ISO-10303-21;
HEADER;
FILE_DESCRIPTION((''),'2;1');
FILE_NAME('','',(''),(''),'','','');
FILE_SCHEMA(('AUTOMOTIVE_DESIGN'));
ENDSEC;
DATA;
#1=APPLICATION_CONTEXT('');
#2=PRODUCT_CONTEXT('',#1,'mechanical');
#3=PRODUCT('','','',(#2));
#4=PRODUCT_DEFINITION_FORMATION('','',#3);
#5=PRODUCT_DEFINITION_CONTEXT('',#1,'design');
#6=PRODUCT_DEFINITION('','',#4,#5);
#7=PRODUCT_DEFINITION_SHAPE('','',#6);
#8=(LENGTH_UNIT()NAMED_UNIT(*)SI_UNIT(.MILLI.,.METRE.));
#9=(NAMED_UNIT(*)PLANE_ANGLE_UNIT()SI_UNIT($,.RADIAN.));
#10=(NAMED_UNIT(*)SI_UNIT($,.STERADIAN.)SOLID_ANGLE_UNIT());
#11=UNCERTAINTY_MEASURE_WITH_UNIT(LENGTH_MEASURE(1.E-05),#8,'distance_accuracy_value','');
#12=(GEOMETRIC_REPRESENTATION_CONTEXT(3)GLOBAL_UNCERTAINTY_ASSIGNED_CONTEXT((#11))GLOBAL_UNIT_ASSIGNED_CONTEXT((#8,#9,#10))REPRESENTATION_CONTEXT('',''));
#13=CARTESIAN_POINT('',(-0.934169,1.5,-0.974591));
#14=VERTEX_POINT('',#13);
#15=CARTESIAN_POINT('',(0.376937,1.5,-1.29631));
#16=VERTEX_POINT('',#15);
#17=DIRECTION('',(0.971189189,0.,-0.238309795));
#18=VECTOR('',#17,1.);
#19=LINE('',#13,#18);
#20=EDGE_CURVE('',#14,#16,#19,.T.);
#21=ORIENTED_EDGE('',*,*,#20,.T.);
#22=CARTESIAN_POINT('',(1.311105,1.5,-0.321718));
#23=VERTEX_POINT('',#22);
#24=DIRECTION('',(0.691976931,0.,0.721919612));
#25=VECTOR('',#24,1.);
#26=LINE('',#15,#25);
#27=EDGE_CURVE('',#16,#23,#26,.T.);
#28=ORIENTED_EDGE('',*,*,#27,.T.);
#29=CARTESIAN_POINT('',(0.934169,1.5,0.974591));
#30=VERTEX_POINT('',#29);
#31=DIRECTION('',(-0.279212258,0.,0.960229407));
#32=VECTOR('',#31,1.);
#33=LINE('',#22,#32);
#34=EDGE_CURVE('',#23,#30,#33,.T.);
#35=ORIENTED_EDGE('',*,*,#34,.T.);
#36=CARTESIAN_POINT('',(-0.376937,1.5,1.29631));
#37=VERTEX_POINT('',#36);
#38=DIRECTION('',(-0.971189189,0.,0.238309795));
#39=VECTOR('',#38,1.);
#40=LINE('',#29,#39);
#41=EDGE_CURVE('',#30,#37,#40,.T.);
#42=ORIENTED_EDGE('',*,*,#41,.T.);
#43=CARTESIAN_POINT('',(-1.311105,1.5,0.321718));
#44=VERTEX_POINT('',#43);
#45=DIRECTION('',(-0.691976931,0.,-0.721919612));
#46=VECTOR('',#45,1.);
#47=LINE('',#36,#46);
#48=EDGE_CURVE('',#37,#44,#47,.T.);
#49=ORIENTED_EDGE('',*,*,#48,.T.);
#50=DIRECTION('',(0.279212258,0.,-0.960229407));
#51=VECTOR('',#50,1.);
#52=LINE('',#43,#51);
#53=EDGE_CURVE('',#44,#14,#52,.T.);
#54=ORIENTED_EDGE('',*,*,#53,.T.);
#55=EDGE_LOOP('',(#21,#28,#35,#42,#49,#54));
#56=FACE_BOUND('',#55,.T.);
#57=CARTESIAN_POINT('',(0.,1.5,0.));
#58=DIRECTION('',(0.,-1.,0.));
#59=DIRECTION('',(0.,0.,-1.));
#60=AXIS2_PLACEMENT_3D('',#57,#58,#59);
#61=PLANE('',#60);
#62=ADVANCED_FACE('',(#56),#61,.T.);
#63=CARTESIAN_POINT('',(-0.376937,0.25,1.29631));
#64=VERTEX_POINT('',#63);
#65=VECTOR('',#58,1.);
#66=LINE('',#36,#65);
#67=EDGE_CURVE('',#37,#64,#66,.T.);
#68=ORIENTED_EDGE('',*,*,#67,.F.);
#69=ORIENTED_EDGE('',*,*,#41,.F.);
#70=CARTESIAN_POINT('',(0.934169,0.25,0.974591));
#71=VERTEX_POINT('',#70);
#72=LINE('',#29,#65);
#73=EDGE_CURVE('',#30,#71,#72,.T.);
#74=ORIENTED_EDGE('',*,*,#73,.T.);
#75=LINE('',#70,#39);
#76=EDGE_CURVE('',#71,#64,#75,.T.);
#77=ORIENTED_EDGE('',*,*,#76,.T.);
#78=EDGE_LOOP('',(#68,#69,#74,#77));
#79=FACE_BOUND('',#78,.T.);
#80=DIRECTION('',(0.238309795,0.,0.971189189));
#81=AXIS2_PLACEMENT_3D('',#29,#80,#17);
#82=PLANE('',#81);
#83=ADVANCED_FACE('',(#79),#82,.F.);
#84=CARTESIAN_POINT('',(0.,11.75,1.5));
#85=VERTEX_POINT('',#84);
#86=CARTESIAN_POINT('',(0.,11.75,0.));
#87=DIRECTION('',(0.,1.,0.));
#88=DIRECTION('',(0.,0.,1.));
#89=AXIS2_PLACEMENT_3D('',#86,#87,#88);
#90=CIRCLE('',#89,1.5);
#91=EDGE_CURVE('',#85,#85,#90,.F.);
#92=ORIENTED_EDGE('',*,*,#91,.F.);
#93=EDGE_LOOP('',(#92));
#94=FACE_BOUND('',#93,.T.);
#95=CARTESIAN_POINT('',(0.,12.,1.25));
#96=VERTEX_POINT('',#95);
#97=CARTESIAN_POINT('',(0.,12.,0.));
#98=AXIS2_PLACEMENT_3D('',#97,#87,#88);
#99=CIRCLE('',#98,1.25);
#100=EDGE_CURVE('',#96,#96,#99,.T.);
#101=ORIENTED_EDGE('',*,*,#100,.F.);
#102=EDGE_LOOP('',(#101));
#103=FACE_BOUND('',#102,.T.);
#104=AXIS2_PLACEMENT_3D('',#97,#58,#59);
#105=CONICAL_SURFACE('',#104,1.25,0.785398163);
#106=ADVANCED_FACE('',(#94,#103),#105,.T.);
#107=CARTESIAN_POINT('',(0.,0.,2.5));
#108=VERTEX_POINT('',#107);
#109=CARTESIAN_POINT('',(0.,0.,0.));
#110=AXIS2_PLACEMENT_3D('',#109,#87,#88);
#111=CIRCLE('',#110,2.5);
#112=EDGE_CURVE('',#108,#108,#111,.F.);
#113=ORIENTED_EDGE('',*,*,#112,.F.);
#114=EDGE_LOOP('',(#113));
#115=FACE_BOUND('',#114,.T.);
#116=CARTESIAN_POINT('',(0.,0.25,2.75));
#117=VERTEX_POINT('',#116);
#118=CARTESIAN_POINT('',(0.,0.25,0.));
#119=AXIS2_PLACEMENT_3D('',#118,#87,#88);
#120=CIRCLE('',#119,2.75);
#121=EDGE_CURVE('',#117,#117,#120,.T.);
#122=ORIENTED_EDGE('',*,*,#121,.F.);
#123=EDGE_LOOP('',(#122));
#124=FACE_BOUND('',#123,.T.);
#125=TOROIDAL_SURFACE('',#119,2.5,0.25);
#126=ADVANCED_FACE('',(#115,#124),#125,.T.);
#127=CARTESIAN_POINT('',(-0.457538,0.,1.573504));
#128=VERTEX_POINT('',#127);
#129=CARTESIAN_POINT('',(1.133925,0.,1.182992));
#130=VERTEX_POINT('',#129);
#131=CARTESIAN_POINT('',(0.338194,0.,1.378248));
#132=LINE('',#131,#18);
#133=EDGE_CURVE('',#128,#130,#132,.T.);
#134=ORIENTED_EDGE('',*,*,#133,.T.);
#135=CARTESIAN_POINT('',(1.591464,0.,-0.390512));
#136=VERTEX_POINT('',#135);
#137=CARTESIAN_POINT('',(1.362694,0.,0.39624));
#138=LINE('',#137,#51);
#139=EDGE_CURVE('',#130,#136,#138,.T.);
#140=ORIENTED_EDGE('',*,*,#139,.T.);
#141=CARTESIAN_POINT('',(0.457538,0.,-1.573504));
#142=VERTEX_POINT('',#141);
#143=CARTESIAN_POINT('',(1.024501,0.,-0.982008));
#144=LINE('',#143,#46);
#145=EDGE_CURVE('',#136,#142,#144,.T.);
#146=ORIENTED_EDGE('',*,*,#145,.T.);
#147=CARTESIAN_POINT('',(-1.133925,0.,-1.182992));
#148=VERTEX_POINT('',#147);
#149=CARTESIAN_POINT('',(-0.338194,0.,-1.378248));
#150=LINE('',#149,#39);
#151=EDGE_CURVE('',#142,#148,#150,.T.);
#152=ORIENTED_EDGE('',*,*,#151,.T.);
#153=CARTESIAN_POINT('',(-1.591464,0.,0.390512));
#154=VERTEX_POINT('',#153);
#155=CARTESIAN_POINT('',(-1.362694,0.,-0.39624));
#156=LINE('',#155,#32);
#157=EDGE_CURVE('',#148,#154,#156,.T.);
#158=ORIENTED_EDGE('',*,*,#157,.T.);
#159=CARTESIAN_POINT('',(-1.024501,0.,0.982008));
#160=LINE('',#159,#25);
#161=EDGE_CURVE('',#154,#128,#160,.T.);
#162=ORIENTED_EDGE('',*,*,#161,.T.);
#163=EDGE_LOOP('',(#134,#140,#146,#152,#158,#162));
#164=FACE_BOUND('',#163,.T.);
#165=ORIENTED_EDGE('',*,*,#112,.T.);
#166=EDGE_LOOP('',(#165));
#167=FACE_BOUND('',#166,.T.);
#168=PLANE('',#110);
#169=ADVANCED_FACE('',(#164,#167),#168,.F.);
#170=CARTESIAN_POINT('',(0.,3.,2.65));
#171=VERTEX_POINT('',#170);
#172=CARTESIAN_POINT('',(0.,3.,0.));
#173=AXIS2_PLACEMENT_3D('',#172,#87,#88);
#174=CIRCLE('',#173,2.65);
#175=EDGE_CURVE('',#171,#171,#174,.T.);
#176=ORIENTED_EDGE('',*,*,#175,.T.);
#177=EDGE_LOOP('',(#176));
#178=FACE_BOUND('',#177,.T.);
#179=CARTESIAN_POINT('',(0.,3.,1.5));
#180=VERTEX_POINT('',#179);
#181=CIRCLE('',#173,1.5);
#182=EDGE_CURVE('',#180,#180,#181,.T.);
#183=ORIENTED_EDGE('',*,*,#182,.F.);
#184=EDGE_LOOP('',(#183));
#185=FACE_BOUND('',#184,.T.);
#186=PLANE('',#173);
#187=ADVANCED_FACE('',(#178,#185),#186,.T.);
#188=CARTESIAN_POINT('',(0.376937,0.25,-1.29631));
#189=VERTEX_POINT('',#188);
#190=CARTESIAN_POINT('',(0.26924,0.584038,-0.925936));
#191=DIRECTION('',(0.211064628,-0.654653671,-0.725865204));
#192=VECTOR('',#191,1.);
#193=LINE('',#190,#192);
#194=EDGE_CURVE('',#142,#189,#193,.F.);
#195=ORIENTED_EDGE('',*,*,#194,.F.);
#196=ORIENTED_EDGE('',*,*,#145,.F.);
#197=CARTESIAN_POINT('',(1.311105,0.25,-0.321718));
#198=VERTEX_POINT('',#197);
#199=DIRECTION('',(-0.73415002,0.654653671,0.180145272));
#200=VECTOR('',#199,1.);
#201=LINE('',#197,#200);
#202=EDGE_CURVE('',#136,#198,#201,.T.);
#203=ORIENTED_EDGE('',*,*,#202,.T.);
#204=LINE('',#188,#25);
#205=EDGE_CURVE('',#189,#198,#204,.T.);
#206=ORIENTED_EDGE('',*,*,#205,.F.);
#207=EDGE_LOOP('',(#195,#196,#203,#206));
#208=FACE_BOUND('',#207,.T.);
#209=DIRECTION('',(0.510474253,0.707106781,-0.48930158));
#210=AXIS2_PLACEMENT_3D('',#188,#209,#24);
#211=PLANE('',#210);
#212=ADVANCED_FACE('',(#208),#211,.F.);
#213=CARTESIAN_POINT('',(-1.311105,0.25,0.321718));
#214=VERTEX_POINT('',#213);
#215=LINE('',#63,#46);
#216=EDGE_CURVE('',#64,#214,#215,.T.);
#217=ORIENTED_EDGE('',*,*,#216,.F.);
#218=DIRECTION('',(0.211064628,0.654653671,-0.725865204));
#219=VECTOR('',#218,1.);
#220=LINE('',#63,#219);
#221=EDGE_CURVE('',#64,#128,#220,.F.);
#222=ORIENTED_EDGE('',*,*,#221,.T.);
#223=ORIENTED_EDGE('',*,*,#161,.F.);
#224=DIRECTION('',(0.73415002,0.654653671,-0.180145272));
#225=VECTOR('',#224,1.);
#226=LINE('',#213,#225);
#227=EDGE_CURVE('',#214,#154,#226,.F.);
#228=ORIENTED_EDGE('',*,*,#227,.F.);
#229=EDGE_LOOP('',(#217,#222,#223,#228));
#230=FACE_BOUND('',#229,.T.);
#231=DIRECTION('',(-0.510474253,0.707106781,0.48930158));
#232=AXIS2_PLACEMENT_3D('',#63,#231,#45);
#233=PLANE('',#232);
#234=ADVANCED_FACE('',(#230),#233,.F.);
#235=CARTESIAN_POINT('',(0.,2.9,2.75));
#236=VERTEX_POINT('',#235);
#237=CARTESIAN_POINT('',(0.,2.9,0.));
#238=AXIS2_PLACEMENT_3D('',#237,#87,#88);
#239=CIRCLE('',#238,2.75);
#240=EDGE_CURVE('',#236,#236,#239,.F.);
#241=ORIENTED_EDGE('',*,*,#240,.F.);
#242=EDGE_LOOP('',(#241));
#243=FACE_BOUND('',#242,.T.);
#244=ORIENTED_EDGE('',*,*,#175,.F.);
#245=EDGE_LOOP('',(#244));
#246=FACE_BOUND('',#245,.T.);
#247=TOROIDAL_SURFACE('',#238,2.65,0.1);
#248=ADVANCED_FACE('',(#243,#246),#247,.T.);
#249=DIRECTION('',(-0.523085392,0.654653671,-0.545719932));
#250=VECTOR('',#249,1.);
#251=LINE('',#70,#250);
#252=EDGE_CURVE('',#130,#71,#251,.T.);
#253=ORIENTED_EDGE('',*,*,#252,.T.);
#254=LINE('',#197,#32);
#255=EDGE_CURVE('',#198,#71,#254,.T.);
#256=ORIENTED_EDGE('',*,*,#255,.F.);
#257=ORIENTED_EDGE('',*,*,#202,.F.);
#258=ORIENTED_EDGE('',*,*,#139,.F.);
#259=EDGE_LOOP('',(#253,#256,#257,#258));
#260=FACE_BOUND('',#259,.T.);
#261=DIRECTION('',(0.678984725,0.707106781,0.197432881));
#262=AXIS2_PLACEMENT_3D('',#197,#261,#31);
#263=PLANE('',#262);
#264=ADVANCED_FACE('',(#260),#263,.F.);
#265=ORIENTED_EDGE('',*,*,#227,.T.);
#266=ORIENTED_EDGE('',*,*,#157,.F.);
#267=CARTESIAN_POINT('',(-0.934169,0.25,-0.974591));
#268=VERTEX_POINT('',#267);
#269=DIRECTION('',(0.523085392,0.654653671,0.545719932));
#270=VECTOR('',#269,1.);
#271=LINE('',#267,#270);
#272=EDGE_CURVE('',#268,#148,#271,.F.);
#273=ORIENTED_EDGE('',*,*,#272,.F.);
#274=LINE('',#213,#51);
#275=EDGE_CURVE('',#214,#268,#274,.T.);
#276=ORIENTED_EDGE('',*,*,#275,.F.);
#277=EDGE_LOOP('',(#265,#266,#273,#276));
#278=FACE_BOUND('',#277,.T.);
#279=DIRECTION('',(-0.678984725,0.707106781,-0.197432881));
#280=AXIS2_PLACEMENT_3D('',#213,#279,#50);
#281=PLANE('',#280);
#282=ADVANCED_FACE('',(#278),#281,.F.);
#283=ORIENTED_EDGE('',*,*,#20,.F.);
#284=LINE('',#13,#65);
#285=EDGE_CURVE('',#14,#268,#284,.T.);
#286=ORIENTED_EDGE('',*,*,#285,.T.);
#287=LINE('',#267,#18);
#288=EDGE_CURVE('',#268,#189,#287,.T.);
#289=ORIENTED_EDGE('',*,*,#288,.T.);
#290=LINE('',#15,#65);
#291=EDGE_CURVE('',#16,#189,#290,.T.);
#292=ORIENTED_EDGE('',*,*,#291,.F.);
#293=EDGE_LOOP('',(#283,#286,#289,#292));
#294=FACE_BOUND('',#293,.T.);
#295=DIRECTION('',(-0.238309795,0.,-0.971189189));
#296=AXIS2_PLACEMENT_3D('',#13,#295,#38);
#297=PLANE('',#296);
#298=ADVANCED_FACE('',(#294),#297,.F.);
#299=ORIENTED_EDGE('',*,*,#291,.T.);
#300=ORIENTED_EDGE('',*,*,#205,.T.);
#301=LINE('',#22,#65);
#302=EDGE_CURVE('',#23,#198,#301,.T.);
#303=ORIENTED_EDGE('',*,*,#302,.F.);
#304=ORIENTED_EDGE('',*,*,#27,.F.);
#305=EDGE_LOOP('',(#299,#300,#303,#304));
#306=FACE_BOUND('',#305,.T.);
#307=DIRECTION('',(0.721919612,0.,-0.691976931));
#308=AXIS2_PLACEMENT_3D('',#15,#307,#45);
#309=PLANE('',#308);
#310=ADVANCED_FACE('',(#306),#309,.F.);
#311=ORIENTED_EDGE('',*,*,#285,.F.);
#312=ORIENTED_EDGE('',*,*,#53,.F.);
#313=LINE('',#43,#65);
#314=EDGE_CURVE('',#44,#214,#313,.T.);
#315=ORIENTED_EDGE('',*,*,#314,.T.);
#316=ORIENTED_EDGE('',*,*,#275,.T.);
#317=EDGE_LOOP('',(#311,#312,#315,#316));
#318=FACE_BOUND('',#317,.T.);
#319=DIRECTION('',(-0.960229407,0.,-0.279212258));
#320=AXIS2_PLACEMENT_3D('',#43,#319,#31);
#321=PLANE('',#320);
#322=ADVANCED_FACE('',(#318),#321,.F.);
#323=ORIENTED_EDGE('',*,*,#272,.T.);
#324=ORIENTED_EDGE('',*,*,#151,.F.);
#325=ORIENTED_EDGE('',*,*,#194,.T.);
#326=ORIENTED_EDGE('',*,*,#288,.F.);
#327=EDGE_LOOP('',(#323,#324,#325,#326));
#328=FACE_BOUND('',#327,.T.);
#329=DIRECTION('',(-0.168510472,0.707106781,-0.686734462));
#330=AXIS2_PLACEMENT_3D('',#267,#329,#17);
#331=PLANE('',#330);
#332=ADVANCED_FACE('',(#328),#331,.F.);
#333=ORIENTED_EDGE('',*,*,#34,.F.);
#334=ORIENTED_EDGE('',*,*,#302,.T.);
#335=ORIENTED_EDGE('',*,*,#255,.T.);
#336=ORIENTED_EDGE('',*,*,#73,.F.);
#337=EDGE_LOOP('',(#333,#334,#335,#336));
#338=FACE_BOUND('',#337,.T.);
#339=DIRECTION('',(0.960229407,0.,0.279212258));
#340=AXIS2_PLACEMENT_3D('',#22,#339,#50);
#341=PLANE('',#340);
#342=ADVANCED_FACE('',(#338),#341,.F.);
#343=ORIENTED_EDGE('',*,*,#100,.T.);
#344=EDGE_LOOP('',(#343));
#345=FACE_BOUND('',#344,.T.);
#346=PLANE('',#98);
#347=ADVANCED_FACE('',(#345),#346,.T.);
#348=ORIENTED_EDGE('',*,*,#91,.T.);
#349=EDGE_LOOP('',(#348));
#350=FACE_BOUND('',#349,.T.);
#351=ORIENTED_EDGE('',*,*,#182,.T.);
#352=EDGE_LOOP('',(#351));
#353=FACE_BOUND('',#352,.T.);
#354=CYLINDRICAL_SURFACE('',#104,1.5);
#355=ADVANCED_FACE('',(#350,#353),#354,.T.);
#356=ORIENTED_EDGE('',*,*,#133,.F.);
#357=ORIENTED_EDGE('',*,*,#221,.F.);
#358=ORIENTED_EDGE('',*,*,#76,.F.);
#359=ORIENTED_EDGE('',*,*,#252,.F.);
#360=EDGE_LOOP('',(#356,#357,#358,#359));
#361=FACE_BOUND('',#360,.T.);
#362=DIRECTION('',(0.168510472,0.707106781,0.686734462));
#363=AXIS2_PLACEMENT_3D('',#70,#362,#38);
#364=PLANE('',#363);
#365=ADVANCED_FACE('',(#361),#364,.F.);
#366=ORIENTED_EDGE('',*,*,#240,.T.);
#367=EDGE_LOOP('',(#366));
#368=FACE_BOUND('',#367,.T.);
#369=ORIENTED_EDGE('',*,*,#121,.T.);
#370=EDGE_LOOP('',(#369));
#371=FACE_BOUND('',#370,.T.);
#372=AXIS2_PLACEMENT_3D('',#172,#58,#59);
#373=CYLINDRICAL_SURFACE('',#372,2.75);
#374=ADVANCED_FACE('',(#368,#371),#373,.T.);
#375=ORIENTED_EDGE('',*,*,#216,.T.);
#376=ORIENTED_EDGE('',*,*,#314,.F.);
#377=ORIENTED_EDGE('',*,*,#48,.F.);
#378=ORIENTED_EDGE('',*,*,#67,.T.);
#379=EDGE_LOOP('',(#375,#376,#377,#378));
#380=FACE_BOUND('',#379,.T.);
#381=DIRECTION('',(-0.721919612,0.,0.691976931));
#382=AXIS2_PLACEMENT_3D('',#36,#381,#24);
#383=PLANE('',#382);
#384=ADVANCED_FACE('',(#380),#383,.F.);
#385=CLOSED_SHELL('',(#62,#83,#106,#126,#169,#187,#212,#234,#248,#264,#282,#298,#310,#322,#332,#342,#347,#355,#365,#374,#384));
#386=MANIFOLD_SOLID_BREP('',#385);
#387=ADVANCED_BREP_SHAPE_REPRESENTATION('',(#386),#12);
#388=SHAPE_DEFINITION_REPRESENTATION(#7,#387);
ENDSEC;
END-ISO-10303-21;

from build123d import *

# Parameters (mm, degrees)
SKETCH1_R           = 2.75
BOSS_EXTRUDE1_DEPTH = 3
SKETCH2_R           = 1.5
BOSS_EXTRUDE2_DEPTH = 9
CUT_EXTRUDE1_DEPTH  = 1.5
CHAMFER1_SIZE       = 0.25
FILLET1_R           = 0.25
CHAMFER2_SIZE       = 0.25
FILLET2_R           = 0.1


with BuildPart() as part:
    # Sketch1 → Boss-Extrude1 (new body)
    with BuildSketch(Plane(origin=(0, 0, 0), x_dir=(1, 0, 0), z_dir=(0, 1, 0))):
        with Locations(Location((0, 0, 0), (0, 0, 270))):
            Circle(SKETCH1_R)
    extrude(amount=BOSS_EXTRUDE1_DEPTH)

    # Sketch2 → Boss-Extrude2 (add)
    with BuildSketch(Plane(origin=(0, 3, 0), x_dir=(1, 0, 0), z_dir=(0, 1, 0))):
        with Locations(Location((0, 0, 0), (0, 0, 270))):
            Circle(SKETCH2_R)
    extrude(amount=BOSS_EXTRUDE2_DEPTH)

    # Sketch3 → Cut-Extrude1 (cut)
    with BuildSketch(Plane.XZ):
        Polygon((0.934168857, 0.974591477), (-0.376936549, 1.2963097), (-1.311105406, 0.321718223), (-0.934168857, -0.974591477), (0.376936549, -1.2963097), (1.311105406, -0.321718223), align=None)
    extrude(amount=-CUT_EXTRUDE1_DEPTH, mode=Mode.SUBTRACT)

    # Chamfer1
    chamfer1_edges = [part.edges().sort_by_distance(p)[0] for p in [
        (1.122637131, 0, 0.326436627),
        (0.278616154, 0, 1.135450588),
        (-0.844020977, 0, 0.809013962),
        (-1.122637131, 0, -0.326436627),
        (-0.278616154, 0, -1.135450588),
        (0.844020977, 0, -0.809013962),
    ]]
    chamfer(chamfer1_edges, length=CHAMFER1_SIZE)

    # Fillet1
    fillet1_edges = [part.edges().sort_by_distance(p)[0] for p in [
        (0, 0, -2.75),
    ]]
    fillet(fillet1_edges, radius=FILLET1_R)

    # Chamfer2
    chamfer2_edges = [part.edges().sort_by_distance(p)[0] for p in [
        (0, 12, -1.5),
    ]]
    chamfer(chamfer2_edges, length=CHAMFER2_SIZE)

    # Fillet2
    fillet2_edges = [part.edges().sort_by_distance(p)[0] for p in [
        (0, 3, -2.75),
    ]]
    fillet(fillet2_edges, radius=FILLET2_R)


solid = part.part
